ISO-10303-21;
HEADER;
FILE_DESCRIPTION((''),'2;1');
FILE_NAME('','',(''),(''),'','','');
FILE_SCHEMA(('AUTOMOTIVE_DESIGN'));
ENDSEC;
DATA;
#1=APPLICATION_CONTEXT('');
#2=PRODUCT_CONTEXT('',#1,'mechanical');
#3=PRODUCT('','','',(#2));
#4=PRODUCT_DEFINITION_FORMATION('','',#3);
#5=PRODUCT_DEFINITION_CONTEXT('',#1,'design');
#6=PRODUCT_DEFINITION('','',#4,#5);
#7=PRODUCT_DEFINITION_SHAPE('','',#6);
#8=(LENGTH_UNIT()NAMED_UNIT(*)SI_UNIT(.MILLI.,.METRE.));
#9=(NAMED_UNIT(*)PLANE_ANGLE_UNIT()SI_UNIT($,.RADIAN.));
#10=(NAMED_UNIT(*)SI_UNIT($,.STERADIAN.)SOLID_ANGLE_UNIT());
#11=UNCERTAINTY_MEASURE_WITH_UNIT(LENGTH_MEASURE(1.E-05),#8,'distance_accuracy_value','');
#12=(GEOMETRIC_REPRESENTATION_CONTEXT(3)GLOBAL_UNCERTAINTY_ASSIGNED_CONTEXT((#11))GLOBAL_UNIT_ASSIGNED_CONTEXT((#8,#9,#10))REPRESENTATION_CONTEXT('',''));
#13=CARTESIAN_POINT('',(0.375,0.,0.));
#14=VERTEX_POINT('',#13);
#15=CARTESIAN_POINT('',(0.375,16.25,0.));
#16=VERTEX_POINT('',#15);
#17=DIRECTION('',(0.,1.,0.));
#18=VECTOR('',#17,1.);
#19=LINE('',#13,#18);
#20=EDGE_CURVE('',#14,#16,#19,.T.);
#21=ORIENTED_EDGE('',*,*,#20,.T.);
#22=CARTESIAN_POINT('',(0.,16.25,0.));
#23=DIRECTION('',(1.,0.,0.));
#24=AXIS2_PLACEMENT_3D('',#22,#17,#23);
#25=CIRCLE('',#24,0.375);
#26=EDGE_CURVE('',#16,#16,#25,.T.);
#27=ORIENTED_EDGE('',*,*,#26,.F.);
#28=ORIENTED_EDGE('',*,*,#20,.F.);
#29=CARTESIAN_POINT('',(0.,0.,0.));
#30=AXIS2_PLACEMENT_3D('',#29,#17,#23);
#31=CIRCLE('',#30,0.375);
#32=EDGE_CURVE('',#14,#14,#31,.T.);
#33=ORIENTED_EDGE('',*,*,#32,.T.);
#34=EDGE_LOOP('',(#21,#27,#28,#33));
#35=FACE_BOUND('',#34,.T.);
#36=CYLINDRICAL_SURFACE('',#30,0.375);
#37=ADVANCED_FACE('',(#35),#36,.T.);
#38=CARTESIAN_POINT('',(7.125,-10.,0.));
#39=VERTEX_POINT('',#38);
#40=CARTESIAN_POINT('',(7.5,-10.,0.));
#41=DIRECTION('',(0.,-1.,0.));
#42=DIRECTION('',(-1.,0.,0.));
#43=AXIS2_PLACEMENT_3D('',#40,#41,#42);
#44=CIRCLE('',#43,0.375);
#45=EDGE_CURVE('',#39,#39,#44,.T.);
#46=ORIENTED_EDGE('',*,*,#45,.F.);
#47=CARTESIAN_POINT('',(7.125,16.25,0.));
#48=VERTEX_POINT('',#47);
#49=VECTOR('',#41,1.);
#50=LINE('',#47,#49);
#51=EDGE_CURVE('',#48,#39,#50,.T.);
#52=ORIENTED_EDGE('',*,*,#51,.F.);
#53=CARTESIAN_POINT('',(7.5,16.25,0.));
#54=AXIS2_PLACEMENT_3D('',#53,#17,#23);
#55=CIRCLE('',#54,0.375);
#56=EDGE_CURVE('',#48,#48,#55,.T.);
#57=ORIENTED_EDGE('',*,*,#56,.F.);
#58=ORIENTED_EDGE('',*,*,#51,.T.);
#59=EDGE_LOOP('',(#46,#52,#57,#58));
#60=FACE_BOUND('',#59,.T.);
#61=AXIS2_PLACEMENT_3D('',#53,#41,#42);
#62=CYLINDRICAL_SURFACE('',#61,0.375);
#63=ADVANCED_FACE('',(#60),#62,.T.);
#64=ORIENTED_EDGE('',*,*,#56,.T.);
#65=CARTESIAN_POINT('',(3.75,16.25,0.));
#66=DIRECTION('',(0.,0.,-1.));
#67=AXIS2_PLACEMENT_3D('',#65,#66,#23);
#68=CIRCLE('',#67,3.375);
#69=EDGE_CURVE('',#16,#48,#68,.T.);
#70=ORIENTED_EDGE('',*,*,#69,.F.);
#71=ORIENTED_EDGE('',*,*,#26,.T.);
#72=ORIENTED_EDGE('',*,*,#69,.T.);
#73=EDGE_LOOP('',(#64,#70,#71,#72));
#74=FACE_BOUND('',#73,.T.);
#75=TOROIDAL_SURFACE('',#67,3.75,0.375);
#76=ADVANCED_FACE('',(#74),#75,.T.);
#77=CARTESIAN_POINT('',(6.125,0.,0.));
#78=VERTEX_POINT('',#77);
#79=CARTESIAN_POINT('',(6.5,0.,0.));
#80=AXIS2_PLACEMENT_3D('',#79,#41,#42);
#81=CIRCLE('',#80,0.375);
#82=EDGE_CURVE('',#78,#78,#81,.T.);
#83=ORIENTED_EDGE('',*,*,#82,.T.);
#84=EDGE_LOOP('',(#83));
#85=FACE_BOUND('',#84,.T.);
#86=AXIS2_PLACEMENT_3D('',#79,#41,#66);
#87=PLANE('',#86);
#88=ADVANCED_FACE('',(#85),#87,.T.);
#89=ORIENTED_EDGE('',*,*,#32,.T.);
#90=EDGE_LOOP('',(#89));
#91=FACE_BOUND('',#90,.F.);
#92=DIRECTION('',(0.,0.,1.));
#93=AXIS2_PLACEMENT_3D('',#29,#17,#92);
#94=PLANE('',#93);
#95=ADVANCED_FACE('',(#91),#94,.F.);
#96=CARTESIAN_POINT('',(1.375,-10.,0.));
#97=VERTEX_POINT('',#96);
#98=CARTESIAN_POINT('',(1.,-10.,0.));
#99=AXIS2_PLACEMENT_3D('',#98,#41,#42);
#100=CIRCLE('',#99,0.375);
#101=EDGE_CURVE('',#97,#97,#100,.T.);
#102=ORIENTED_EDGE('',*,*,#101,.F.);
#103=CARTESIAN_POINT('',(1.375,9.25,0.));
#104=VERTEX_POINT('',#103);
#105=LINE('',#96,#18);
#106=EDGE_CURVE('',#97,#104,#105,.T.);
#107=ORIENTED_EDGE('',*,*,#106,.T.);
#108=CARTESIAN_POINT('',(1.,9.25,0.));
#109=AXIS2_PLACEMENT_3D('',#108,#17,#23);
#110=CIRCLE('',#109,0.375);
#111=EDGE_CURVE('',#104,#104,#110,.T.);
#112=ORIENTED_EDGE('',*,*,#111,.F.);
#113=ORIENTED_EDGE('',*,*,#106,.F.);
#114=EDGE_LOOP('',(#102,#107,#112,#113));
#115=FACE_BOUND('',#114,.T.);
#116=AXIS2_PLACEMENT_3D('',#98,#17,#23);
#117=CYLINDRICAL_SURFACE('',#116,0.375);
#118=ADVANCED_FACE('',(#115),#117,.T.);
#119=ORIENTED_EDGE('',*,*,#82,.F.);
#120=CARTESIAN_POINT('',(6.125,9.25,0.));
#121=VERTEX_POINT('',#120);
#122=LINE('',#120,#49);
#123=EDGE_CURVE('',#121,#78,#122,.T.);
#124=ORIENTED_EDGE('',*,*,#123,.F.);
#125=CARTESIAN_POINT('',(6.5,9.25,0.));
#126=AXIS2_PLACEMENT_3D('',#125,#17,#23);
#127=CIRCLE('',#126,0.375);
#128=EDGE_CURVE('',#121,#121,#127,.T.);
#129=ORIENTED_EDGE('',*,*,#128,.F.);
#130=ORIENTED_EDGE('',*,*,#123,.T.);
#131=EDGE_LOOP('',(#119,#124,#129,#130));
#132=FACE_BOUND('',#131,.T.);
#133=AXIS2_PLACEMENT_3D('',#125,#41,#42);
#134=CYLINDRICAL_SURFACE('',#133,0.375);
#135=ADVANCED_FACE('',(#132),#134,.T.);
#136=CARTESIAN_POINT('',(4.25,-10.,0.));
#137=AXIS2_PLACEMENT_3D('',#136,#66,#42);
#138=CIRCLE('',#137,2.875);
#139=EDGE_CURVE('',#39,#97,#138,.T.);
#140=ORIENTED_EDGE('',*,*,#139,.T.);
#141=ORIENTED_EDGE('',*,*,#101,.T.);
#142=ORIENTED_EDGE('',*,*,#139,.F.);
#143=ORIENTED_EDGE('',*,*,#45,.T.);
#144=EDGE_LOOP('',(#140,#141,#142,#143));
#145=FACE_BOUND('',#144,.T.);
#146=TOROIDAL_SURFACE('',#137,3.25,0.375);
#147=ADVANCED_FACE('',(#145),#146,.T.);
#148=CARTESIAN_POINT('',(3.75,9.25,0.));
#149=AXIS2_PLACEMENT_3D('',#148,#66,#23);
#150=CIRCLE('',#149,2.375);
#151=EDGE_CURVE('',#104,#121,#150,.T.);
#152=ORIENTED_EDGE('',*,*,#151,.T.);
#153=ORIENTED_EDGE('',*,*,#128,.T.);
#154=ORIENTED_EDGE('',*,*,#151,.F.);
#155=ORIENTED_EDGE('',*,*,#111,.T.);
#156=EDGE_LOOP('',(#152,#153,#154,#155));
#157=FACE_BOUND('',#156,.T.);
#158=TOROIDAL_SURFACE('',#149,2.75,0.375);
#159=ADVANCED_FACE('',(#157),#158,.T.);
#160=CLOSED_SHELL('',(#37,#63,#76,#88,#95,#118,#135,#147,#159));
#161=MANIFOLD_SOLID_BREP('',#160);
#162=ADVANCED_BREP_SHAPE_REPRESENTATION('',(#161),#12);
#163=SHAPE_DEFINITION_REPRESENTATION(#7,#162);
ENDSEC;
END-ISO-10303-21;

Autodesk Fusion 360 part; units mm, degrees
sketch "sweep path" plane through (0, 0, 0) normal (0, 0, 1) x (1, 0, 0)
  line L0 (0, 0) -> (0, 16.25)
  line L1 (0, 16.25) -> (7.5, 16.25) construction
  line L2 (7.5, 16.25) -> (7.5, -10)
  line L3 (7.5, -10) -> (1, -10) construction
  line L4 (1, -10) -> (1, 9.25)
  line L5 (1, 9.25) -> (6.5, 9.25) construction
  line L6 (6.5, 9.25) -> (6.5, 0)
  arc A0 (7.5, 16.25) -> (0, 16.25) centre (3.75, 16.25) ccw
  arc A1 (1, -10) -> (7.5, -10) centre (4.25, -10) ccw
  arc A2 (6.5, 9.25) -> (1, 9.25) centre (3.75, 9.25) ccw
  dimension "d1" = 16.25
  dimension "d2" = 7.5
  dimension "d3" = 26.25
  dimension "d4" = 6.5
  dimension "d5" = 19.25
  dimension "d6" = 5.5
  dimension "d8" = 9.25
sketch "sweep profile" plane through (0, 0, 0) normal (0, 1, 0) x (1, 0, 0)
  circle A0 centre (0, 0) radius 0.375
  dimension "d9" = 0.75
sweep "Sweep1" add profiles "sweep profile" path "sweep path" along L0 A0 L2 A1 L4 A2 L6 section 1
